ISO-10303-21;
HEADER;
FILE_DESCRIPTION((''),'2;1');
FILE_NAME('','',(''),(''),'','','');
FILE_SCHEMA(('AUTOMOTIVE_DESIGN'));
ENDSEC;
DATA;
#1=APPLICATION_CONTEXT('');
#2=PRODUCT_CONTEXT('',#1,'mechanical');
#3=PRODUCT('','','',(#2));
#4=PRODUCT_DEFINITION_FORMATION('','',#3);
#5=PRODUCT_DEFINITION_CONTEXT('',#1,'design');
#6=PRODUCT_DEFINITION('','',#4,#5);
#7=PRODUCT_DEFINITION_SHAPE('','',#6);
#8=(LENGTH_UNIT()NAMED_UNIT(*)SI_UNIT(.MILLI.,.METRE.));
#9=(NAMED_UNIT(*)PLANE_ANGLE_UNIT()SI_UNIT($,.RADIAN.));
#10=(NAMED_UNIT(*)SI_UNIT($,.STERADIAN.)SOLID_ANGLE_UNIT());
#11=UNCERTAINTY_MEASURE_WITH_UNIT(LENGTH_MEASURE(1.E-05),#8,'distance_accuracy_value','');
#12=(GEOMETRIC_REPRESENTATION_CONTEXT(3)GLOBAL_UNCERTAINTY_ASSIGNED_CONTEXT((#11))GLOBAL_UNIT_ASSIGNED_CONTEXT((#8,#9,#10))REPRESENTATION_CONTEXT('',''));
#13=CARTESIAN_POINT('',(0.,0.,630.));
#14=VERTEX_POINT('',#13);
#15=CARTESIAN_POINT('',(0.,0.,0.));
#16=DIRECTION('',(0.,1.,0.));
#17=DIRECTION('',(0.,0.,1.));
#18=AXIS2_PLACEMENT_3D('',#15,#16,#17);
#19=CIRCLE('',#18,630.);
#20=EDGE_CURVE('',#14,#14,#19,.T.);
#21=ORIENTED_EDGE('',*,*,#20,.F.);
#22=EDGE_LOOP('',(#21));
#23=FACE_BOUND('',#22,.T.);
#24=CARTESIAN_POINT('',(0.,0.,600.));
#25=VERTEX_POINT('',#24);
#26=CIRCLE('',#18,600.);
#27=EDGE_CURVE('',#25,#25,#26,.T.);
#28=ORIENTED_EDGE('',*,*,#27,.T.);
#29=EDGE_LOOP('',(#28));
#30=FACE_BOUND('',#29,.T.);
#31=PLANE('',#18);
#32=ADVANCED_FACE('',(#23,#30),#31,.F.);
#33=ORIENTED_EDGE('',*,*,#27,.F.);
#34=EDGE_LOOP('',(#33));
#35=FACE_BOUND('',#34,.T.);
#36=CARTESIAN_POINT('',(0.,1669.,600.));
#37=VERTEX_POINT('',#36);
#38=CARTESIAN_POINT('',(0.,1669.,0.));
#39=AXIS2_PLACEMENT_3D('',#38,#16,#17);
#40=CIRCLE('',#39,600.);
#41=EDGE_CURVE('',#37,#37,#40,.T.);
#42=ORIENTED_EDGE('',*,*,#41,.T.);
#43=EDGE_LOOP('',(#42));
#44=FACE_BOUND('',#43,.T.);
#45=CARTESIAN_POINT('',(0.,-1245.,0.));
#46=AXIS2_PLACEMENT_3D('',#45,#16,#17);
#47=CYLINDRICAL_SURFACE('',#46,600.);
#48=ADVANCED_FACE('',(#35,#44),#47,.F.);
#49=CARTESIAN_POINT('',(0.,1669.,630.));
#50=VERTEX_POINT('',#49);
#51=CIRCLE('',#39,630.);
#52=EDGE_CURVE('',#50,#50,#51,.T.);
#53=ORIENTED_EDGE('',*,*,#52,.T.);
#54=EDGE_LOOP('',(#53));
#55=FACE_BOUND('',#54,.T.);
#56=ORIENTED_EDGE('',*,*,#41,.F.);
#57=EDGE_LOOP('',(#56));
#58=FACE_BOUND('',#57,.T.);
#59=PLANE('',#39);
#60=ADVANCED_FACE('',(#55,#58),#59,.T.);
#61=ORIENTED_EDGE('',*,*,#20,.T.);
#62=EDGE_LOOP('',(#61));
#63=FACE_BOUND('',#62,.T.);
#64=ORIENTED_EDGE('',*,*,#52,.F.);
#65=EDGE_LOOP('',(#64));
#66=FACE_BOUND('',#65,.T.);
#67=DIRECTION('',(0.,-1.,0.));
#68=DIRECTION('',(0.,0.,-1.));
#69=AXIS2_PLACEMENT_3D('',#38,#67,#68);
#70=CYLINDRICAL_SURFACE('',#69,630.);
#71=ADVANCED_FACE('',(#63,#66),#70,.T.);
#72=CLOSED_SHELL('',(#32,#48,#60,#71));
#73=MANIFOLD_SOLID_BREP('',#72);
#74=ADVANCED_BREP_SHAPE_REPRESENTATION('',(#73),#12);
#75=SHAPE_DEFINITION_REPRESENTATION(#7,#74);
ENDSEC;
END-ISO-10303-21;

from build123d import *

# Parameters (mm, degrees)
SKETCH_1_R          = 630
EXTRUDE_1_DEPTH     = 1669
SKETCH_2_R          = 600
CUT_EXTRUDE_1_DEPTH = 2914


with BuildPart() as part:
    # 草图1 → 凸台-拉伸1 (new body)
    with BuildSketch(Plane(origin=(0, 0, 0), x_dir=(1, 0, 0), z_dir=(0, 1, 0))):
        Circle(SKETCH_1_R)
    extrude(amount=EXTRUDE_1_DEPTH)

    # 草图2 → 切除-拉伸1 (cut)
    with BuildSketch(Plane(origin=(0, 1669, 0), x_dir=(1, 0, 0), z_dir=(0, 1, 0))):
        Circle(SKETCH_2_R)
    extrude(amount=-CUT_EXTRUDE_1_DEPTH, mode=Mode.SUBTRACT)


solid = part.part
